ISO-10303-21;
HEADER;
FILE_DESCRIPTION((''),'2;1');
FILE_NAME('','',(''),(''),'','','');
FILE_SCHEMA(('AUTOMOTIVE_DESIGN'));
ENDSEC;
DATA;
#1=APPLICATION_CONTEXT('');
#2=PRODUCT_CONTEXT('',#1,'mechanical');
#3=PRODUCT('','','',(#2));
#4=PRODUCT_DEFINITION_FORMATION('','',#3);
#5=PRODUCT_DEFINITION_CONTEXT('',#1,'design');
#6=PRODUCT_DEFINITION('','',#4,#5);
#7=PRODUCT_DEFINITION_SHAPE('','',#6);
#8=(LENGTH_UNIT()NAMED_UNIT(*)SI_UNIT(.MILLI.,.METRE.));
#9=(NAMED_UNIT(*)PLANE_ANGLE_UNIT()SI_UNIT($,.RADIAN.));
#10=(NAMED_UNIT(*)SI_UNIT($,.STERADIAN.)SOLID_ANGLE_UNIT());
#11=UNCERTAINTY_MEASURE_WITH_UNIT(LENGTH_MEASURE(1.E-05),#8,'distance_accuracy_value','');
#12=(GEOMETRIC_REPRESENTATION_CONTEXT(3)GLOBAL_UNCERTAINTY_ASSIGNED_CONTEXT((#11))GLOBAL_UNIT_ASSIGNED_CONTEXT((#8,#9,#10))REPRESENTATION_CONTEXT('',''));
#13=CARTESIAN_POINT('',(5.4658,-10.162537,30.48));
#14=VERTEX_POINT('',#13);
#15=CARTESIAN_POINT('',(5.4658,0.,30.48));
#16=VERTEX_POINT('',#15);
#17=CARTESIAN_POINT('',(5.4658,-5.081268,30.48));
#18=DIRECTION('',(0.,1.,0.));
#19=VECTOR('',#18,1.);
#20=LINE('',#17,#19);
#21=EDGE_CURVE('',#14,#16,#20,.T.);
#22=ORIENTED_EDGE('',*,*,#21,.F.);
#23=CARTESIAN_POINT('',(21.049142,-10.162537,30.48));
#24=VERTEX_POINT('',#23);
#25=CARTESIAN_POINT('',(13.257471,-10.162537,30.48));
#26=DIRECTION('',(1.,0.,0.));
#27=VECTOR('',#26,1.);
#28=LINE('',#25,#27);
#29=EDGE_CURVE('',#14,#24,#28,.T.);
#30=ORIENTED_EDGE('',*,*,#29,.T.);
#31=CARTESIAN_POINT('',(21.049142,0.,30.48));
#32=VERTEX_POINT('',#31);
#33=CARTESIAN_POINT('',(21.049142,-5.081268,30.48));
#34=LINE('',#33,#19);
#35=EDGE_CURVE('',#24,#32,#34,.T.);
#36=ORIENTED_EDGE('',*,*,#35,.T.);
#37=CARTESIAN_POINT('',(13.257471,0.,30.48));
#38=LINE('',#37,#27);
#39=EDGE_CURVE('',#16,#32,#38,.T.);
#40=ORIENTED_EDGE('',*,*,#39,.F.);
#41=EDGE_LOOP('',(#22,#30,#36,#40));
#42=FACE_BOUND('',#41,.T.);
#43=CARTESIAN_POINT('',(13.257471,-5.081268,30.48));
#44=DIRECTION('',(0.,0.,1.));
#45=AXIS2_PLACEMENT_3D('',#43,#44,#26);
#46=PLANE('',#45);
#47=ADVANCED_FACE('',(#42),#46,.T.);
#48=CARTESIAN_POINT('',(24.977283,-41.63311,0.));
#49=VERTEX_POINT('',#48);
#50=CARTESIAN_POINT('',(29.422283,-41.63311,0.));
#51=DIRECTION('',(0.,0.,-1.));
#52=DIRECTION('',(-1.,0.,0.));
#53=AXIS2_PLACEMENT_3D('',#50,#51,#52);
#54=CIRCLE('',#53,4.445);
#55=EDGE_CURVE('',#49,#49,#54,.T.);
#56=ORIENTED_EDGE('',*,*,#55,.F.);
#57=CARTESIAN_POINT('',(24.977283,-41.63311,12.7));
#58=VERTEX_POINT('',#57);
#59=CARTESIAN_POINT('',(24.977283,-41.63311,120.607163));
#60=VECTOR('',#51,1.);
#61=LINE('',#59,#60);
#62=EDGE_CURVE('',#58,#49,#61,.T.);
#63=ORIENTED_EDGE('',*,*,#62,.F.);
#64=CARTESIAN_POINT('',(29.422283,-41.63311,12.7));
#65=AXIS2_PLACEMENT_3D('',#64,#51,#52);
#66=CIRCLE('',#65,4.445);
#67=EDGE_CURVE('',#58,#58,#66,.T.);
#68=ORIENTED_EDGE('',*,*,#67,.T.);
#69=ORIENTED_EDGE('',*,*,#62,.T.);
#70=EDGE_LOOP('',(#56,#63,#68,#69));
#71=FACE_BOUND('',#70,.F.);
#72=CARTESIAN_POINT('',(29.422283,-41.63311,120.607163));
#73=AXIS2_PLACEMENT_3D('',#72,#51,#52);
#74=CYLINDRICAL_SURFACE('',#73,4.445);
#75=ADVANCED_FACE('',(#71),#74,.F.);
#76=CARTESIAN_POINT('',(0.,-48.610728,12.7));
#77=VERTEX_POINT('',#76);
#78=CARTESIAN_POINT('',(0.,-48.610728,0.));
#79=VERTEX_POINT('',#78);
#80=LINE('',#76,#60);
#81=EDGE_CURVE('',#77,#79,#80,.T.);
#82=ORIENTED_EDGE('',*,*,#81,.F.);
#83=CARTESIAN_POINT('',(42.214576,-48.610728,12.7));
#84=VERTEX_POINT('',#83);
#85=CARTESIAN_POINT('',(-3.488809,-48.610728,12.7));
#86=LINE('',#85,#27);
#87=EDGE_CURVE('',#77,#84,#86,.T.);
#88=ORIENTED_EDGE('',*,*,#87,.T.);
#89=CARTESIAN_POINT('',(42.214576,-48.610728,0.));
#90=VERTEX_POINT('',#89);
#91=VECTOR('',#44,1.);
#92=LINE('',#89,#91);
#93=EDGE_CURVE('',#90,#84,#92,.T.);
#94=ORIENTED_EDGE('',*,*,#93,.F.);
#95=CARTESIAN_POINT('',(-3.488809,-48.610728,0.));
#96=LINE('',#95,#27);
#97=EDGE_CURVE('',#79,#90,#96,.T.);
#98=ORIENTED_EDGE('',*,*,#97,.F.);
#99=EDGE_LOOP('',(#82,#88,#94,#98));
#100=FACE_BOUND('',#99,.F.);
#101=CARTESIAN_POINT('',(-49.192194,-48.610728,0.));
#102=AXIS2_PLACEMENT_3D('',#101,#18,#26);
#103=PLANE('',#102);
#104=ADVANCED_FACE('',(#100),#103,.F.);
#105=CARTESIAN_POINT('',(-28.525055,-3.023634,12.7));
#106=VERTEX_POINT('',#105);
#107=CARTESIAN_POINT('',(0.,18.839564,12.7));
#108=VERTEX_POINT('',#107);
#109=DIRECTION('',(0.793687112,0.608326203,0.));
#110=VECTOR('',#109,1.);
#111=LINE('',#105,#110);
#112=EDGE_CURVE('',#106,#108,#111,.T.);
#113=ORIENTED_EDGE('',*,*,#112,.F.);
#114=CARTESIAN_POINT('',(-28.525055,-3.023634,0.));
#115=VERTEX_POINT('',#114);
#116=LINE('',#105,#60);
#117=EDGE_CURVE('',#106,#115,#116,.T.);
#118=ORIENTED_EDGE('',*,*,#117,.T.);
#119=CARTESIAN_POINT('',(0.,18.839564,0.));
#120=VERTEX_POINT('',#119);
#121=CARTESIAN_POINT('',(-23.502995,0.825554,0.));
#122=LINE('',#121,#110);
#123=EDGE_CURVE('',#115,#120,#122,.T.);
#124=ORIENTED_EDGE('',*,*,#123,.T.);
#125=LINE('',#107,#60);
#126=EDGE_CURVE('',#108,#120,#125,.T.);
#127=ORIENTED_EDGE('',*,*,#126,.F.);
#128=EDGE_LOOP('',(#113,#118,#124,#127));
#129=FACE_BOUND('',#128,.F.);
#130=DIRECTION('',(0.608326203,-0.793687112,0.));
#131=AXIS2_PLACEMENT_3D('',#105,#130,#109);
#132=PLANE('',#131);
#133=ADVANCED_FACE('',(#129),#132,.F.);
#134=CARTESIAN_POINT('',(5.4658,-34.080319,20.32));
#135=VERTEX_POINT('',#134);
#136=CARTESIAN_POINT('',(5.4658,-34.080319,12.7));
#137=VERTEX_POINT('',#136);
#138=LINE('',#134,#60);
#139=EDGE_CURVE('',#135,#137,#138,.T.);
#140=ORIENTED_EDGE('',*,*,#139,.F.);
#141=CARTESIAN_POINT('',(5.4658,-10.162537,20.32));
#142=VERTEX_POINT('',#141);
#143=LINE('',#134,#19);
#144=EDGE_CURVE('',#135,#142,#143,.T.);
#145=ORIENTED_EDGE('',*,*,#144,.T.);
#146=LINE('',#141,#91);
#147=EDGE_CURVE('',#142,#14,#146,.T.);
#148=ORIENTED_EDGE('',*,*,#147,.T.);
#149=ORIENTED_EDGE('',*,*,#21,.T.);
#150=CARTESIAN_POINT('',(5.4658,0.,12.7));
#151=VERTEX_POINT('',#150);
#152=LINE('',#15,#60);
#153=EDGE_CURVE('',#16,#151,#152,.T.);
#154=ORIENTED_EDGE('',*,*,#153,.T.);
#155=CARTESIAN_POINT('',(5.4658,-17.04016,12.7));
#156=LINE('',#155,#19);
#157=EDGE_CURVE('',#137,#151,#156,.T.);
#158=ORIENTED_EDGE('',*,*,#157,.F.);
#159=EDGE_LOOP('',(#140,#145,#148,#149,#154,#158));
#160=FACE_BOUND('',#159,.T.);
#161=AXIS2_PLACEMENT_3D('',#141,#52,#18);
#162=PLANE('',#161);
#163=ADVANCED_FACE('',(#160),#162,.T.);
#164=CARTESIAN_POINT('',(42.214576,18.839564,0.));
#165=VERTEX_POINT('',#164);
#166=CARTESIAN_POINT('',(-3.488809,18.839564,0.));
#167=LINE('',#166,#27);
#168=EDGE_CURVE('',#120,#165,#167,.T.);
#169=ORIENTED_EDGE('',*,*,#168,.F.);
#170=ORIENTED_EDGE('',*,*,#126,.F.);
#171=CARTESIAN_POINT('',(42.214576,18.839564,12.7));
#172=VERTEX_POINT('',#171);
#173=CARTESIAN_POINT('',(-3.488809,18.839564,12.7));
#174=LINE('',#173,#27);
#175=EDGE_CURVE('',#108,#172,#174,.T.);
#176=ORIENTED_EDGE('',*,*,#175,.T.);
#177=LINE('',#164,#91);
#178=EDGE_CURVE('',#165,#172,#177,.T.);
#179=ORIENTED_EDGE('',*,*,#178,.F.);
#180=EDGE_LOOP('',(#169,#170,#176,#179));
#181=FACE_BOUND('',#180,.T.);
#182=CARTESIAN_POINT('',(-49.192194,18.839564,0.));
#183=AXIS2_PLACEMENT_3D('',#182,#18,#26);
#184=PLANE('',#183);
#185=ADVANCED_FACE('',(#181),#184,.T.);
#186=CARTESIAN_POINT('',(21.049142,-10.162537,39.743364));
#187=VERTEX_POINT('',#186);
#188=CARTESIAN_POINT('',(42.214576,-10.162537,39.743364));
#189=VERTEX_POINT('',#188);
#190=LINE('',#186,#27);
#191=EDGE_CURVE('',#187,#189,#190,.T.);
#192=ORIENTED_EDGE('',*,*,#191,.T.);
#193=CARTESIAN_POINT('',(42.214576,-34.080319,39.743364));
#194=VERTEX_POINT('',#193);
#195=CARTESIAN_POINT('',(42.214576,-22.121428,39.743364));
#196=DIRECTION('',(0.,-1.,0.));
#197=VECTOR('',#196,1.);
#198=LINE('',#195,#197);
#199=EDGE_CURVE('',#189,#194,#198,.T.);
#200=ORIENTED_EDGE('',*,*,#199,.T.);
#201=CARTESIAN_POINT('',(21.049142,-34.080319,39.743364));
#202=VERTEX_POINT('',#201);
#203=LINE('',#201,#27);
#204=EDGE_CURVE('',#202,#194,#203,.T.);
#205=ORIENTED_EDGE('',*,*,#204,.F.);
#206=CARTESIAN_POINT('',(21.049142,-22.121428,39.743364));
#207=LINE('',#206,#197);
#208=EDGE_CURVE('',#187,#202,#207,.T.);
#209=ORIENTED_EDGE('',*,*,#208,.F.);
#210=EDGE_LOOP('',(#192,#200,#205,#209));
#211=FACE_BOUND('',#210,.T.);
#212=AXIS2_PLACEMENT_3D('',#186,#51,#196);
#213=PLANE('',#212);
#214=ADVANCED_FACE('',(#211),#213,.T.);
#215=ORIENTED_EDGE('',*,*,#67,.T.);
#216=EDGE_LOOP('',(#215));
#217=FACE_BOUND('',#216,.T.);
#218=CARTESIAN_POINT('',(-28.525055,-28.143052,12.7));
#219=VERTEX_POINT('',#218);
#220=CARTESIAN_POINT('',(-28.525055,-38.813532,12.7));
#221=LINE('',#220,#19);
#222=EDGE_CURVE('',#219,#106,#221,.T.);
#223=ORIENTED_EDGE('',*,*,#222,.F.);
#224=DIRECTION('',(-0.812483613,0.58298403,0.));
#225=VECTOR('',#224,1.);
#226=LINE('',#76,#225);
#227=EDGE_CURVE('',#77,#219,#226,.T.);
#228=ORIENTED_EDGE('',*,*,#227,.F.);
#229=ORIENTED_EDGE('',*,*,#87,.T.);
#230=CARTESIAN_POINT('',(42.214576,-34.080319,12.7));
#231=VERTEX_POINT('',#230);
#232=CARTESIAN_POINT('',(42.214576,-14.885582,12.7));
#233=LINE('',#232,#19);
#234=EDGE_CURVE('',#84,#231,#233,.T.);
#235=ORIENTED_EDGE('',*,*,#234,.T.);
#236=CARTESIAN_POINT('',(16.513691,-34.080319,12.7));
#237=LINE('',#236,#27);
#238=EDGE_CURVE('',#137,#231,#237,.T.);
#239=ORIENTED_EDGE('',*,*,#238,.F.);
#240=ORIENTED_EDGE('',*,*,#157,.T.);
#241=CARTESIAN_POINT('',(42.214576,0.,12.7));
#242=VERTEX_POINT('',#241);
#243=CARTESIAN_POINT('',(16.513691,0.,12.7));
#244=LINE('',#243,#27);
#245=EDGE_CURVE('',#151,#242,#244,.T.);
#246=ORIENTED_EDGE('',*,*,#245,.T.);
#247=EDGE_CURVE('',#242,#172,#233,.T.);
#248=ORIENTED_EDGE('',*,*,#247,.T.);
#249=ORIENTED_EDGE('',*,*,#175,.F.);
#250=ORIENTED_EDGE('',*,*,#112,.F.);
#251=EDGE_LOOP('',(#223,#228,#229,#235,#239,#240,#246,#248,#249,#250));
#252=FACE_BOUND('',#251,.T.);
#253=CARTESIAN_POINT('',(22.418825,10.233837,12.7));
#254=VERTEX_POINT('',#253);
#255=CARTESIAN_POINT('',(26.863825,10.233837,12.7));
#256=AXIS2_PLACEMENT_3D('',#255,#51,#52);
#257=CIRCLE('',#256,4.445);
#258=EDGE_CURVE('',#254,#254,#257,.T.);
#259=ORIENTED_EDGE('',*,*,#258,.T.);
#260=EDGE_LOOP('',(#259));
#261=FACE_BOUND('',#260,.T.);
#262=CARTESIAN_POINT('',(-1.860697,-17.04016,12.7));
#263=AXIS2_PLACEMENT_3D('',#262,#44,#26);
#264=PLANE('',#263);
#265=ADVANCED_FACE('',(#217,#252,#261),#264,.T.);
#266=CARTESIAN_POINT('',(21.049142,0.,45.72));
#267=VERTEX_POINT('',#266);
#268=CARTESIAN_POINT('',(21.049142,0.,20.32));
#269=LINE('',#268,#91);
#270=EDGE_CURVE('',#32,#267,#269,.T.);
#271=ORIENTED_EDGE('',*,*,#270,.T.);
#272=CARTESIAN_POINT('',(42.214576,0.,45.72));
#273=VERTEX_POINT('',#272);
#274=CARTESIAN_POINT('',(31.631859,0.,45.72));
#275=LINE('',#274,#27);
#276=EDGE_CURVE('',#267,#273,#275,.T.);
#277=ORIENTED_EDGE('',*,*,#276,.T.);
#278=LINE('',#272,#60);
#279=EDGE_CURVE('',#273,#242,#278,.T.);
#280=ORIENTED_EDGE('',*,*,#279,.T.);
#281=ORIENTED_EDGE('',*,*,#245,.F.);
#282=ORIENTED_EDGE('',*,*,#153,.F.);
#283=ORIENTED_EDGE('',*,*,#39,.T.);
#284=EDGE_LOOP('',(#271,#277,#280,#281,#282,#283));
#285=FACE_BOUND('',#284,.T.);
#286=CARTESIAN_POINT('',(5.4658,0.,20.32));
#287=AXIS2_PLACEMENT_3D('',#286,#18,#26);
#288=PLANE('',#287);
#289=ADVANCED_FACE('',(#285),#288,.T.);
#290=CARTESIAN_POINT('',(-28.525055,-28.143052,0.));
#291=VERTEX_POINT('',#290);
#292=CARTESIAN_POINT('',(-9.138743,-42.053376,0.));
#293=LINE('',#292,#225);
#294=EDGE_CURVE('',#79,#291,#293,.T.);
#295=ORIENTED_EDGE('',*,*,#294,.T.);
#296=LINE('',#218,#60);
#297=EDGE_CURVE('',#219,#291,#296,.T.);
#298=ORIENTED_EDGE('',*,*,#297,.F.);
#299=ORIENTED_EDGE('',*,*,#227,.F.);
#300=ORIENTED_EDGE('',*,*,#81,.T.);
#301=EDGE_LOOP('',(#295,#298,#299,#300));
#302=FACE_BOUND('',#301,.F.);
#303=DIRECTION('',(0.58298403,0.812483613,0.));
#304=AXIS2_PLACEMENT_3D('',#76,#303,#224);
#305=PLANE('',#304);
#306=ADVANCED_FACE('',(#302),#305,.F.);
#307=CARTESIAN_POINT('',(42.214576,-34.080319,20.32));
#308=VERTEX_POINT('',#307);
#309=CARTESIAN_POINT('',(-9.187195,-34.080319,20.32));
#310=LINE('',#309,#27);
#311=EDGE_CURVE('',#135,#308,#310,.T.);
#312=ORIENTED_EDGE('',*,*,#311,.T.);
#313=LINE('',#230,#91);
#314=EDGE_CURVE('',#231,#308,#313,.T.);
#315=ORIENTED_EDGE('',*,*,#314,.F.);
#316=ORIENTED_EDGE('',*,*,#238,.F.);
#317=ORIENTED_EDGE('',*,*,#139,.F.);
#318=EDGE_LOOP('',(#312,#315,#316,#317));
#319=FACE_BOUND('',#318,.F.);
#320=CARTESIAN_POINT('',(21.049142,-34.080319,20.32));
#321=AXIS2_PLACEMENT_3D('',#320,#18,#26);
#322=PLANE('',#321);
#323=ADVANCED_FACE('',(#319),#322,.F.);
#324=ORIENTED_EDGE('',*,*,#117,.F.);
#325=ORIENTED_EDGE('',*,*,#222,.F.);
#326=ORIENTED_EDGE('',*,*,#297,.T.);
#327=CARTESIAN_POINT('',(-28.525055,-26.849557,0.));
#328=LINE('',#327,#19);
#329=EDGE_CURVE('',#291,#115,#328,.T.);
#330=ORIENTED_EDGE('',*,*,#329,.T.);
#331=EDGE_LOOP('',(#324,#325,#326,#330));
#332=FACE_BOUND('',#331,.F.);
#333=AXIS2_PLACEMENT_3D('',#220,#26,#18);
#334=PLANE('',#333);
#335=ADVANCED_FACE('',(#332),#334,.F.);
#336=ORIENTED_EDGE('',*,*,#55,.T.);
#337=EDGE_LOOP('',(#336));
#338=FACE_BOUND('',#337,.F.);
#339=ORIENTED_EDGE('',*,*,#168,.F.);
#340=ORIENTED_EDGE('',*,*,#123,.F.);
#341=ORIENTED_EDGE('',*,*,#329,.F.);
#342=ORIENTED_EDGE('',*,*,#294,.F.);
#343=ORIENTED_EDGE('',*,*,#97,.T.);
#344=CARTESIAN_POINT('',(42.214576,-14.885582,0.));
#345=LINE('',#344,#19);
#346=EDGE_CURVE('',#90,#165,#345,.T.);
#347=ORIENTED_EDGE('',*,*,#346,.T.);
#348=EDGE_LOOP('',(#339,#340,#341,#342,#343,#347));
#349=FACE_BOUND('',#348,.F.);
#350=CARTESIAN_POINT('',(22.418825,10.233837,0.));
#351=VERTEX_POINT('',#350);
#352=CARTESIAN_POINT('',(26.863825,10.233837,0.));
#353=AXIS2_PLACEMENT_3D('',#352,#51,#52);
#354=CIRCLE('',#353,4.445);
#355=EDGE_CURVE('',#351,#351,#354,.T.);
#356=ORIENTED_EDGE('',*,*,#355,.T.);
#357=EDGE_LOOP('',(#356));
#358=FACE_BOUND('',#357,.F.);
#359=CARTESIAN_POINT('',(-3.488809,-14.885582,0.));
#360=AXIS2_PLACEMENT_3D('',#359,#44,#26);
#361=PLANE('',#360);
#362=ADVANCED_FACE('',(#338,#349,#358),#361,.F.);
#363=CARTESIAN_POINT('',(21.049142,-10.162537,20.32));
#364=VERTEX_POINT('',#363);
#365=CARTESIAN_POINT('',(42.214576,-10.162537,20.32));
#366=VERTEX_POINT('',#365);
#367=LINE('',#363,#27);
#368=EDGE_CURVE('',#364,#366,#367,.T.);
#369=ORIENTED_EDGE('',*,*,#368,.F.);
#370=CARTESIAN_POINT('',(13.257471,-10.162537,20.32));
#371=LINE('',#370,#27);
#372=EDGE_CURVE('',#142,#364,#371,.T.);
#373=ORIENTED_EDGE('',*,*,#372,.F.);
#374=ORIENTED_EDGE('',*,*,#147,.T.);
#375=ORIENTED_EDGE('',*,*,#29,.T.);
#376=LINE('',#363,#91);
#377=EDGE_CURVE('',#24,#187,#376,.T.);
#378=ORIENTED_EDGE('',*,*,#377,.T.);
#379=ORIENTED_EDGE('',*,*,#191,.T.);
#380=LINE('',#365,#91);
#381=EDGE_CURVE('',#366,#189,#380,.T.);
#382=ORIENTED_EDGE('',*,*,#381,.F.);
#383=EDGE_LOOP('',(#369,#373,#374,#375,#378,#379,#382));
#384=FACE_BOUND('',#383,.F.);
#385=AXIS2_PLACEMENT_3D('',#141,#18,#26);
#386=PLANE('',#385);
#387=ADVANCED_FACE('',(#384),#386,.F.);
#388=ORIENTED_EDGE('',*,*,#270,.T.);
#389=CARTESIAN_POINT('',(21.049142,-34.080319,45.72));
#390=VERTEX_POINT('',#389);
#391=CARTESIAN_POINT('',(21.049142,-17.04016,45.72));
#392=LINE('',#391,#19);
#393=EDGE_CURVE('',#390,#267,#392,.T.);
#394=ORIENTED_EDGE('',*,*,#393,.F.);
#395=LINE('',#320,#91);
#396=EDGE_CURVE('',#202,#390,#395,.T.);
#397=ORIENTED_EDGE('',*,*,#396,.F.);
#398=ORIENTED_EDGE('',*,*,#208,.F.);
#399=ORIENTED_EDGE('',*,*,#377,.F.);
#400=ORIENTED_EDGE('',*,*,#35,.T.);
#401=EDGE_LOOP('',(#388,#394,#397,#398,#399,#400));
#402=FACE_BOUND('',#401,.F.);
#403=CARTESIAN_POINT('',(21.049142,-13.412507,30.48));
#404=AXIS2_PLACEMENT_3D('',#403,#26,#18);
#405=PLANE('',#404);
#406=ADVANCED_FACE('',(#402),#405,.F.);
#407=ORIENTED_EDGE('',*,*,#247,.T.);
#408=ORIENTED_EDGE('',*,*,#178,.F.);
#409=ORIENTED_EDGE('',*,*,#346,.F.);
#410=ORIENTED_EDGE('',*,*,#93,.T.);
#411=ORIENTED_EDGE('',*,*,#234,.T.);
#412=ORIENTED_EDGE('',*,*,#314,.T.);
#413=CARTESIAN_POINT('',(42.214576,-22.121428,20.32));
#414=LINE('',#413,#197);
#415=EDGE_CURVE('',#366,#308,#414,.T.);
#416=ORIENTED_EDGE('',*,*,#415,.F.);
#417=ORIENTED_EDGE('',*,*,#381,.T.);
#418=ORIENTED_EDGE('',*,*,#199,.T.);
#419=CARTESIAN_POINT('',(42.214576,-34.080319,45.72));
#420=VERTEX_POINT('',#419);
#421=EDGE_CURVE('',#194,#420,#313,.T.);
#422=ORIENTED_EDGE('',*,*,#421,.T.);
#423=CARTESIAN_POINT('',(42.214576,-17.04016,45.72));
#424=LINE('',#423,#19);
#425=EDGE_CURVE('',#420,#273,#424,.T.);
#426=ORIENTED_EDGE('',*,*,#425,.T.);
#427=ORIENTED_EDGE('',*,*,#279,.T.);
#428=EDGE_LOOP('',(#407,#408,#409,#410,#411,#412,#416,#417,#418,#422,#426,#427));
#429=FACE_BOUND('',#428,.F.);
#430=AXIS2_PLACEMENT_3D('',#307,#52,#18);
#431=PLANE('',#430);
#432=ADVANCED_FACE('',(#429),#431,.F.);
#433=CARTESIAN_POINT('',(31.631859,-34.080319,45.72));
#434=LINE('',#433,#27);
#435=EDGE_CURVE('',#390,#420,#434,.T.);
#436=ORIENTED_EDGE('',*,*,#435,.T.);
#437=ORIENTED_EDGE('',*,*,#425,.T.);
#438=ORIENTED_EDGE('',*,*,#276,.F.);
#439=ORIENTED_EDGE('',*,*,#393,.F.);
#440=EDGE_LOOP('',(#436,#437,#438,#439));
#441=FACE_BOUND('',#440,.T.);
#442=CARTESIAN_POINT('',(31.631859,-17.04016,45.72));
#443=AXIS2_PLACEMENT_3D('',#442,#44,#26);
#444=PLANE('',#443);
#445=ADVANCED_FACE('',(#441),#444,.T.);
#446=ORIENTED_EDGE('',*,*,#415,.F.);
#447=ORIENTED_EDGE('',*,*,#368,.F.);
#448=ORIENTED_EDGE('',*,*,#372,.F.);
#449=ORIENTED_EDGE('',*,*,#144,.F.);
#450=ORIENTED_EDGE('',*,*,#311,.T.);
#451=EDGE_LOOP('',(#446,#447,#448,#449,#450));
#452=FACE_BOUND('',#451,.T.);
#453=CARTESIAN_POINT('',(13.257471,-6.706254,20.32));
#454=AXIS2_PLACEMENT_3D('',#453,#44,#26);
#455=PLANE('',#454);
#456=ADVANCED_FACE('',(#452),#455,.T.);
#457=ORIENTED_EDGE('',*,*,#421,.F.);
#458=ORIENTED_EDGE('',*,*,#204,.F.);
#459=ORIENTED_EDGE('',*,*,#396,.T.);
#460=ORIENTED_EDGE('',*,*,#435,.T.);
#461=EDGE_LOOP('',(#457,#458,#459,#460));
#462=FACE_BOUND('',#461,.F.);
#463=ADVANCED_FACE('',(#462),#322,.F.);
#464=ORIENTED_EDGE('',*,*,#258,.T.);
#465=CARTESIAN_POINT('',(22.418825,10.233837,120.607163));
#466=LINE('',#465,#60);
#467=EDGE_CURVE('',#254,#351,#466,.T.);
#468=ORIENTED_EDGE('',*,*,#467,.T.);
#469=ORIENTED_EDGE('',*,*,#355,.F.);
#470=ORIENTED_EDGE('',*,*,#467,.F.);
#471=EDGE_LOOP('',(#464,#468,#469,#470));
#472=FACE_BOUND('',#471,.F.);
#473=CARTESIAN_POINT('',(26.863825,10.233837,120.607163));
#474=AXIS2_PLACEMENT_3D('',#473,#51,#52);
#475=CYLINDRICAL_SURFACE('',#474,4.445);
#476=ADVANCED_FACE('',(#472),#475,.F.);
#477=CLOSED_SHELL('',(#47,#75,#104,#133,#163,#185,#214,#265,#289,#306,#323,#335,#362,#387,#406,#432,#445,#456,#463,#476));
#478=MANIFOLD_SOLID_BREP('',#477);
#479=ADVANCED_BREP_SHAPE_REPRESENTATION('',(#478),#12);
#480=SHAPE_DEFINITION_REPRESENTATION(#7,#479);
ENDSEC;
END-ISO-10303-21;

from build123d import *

# Parameters (mm, degrees)
F0_W      = 91.4067700505
F0_H      = 67.4502924085
F1_DEPTH  = 12.7
F3_DEPTH  = 25.4
F4_W      = 51.4017706737
F4_H      = 34.0803191066
F5_DEPTH  = 7.62
F6_W      = 21.1654342711
F6_H      = 34.0803191066
F7_DEPTH  = 25.4
F8_W      = 23.9177821204
F8_H      = 19.4233638573
F9_DEPTH  = 25.4
F10_W     = 14.652994927
F10_H     = 34.0803191066
F11_DEPTH = 7.62
F13_DEPTH = 10.16
F15_DEPTH = 25.4
F17_DEPTH = 25.4
F18_DEPTH = 10.16
F19_W     = 15.5833414756
F19_H     = 10.1625369862
F20_DEPTH = 10.16
F23_D     = 8.89


with BuildPart() as f1:
    # F0 (on Top) → F1 (new body)
    with BuildSketch(Plane.XY):
        with Locations((-3.4888088703, -14.8855820298)):
            Rectangle(F0_W, F0_H)
    extrude(amount=F1_DEPTH)

    # F2 (on face) → F3 (cut)
    with BuildSketch(Plane.XY.offset(12.7)):
        Polygon((-49.1921938956, 18.8395641744), (-49.1921938956, 0), (-15.6996361911, 18.8395641744), align=None)
        Polygon((-15.6996361911, -48.6107282341), (-49.1921938956, -23.0261329561), (-49.1921938956, -48.6107282341), align=None)
    extrude(amount=-F3_DEPTH, mode=Mode.SUBTRACT)

    # F4 (on face) → F5 (join)
    with BuildSketch(Plane.XY.offset(12.7)):
        with Locations((16.5136908181, -17.0401595533)):
            Rectangle(F4_W, F4_H)
    extrude(amount=F5_DEPTH)

    # F6 (on face) → F7 (join)
    with BuildSketch(Plane.XY.offset(20.32)):
        with Locations((31.6318590194, -17.0401595533)):
            Rectangle(F6_W, F6_H)
    extrude(amount=F7_DEPTH)

    # F8 (on face) → F9 (cut)
    with BuildSketch(Plane(origin=(21.0491418839, 0, 0), x_dir=(0, -1, 0), z_dir=(-1, 0, 0))):
        with Locations((22.1214280464, 30.0316819286)):
            Rectangle(F8_W, F8_H)
    extrude(amount=-F9_DEPTH, mode=Mode.SUBTRACT)

    # F10 (on face) → F11 (cut)
    with BuildSketch(Plane.XY.offset(20.32)):
        with Locations((-1.8606970552, -17.0401595533)):
            Rectangle(F10_W, F10_H)
    extrude(amount=-F11_DEPTH, mode=Mode.SUBTRACT)

    # F12 (on face) → F13 (join)
    with BuildSketch(Plane.XY.offset(20.32)):
        Polygon((21.0491418839, 0), (5.4658004083, 0), (5.4658004083, -13.4125072509), (21.0491418839, -13.4125072509), (21.0491418839, -10.1625369862), align=None)
    extrude(amount=F13_DEPTH)

    # F14 (on face) → F15 (cut)
    with BuildSketch(Plane.XY.offset(12.7)):
        Polygon((-28.525055022, -38.8135323032), (-28.525055022, 11.6252659037), (-49.1921938956, 0), (-49.1921938956, -23.0261329561), align=None)
    extrude(amount=-F15_DEPTH, mode=Mode.SUBTRACT)

    # F16 (on face) → F17 (cut)
    with BuildSketch(Plane.XY.offset(12.7)):
        Polygon((-28.525055022, 11.6252659037), (-28.525055022, -3.0236337334), (0, 18.8395641744), (-15.6996361911, 18.8395641744), align=None)
        Polygon((0, -48.6107282341), (-28.525055022, -28.1430520117), (-28.525055022, -38.8135323032), (-15.6996361911, -48.6107282341), align=None)
    extrude(amount=-F17_DEPTH, mode=Mode.SUBTRACT)

    # F18 (cut): a face of the model
    f18_faces = [f1.faces().sort_by_distance(p)[0] for p in [
        (13.2574711461, -6.7062536255, 30.48),
    ]]
    extrude(f18_faces, amount=-F18_DEPTH, mode=Mode.SUBTRACT)

    # F19 (on face) → F20 (join)
    with BuildSketch(Plane.XY.offset(20.32)):
        with Locations((13.2574711461, -5.0812684931)):
            Rectangle(F19_W, F19_H)
    extrude(amount=F20_DEPTH)

    # F23 (through all)
    with Locations(Plane.XY.offset(12.7)):
        with Locations((26.8638245761, 10.2338371798), (29.4222831726, -41.6331104934)):
            Hole(F23_D / 2)


solid = f1.part
